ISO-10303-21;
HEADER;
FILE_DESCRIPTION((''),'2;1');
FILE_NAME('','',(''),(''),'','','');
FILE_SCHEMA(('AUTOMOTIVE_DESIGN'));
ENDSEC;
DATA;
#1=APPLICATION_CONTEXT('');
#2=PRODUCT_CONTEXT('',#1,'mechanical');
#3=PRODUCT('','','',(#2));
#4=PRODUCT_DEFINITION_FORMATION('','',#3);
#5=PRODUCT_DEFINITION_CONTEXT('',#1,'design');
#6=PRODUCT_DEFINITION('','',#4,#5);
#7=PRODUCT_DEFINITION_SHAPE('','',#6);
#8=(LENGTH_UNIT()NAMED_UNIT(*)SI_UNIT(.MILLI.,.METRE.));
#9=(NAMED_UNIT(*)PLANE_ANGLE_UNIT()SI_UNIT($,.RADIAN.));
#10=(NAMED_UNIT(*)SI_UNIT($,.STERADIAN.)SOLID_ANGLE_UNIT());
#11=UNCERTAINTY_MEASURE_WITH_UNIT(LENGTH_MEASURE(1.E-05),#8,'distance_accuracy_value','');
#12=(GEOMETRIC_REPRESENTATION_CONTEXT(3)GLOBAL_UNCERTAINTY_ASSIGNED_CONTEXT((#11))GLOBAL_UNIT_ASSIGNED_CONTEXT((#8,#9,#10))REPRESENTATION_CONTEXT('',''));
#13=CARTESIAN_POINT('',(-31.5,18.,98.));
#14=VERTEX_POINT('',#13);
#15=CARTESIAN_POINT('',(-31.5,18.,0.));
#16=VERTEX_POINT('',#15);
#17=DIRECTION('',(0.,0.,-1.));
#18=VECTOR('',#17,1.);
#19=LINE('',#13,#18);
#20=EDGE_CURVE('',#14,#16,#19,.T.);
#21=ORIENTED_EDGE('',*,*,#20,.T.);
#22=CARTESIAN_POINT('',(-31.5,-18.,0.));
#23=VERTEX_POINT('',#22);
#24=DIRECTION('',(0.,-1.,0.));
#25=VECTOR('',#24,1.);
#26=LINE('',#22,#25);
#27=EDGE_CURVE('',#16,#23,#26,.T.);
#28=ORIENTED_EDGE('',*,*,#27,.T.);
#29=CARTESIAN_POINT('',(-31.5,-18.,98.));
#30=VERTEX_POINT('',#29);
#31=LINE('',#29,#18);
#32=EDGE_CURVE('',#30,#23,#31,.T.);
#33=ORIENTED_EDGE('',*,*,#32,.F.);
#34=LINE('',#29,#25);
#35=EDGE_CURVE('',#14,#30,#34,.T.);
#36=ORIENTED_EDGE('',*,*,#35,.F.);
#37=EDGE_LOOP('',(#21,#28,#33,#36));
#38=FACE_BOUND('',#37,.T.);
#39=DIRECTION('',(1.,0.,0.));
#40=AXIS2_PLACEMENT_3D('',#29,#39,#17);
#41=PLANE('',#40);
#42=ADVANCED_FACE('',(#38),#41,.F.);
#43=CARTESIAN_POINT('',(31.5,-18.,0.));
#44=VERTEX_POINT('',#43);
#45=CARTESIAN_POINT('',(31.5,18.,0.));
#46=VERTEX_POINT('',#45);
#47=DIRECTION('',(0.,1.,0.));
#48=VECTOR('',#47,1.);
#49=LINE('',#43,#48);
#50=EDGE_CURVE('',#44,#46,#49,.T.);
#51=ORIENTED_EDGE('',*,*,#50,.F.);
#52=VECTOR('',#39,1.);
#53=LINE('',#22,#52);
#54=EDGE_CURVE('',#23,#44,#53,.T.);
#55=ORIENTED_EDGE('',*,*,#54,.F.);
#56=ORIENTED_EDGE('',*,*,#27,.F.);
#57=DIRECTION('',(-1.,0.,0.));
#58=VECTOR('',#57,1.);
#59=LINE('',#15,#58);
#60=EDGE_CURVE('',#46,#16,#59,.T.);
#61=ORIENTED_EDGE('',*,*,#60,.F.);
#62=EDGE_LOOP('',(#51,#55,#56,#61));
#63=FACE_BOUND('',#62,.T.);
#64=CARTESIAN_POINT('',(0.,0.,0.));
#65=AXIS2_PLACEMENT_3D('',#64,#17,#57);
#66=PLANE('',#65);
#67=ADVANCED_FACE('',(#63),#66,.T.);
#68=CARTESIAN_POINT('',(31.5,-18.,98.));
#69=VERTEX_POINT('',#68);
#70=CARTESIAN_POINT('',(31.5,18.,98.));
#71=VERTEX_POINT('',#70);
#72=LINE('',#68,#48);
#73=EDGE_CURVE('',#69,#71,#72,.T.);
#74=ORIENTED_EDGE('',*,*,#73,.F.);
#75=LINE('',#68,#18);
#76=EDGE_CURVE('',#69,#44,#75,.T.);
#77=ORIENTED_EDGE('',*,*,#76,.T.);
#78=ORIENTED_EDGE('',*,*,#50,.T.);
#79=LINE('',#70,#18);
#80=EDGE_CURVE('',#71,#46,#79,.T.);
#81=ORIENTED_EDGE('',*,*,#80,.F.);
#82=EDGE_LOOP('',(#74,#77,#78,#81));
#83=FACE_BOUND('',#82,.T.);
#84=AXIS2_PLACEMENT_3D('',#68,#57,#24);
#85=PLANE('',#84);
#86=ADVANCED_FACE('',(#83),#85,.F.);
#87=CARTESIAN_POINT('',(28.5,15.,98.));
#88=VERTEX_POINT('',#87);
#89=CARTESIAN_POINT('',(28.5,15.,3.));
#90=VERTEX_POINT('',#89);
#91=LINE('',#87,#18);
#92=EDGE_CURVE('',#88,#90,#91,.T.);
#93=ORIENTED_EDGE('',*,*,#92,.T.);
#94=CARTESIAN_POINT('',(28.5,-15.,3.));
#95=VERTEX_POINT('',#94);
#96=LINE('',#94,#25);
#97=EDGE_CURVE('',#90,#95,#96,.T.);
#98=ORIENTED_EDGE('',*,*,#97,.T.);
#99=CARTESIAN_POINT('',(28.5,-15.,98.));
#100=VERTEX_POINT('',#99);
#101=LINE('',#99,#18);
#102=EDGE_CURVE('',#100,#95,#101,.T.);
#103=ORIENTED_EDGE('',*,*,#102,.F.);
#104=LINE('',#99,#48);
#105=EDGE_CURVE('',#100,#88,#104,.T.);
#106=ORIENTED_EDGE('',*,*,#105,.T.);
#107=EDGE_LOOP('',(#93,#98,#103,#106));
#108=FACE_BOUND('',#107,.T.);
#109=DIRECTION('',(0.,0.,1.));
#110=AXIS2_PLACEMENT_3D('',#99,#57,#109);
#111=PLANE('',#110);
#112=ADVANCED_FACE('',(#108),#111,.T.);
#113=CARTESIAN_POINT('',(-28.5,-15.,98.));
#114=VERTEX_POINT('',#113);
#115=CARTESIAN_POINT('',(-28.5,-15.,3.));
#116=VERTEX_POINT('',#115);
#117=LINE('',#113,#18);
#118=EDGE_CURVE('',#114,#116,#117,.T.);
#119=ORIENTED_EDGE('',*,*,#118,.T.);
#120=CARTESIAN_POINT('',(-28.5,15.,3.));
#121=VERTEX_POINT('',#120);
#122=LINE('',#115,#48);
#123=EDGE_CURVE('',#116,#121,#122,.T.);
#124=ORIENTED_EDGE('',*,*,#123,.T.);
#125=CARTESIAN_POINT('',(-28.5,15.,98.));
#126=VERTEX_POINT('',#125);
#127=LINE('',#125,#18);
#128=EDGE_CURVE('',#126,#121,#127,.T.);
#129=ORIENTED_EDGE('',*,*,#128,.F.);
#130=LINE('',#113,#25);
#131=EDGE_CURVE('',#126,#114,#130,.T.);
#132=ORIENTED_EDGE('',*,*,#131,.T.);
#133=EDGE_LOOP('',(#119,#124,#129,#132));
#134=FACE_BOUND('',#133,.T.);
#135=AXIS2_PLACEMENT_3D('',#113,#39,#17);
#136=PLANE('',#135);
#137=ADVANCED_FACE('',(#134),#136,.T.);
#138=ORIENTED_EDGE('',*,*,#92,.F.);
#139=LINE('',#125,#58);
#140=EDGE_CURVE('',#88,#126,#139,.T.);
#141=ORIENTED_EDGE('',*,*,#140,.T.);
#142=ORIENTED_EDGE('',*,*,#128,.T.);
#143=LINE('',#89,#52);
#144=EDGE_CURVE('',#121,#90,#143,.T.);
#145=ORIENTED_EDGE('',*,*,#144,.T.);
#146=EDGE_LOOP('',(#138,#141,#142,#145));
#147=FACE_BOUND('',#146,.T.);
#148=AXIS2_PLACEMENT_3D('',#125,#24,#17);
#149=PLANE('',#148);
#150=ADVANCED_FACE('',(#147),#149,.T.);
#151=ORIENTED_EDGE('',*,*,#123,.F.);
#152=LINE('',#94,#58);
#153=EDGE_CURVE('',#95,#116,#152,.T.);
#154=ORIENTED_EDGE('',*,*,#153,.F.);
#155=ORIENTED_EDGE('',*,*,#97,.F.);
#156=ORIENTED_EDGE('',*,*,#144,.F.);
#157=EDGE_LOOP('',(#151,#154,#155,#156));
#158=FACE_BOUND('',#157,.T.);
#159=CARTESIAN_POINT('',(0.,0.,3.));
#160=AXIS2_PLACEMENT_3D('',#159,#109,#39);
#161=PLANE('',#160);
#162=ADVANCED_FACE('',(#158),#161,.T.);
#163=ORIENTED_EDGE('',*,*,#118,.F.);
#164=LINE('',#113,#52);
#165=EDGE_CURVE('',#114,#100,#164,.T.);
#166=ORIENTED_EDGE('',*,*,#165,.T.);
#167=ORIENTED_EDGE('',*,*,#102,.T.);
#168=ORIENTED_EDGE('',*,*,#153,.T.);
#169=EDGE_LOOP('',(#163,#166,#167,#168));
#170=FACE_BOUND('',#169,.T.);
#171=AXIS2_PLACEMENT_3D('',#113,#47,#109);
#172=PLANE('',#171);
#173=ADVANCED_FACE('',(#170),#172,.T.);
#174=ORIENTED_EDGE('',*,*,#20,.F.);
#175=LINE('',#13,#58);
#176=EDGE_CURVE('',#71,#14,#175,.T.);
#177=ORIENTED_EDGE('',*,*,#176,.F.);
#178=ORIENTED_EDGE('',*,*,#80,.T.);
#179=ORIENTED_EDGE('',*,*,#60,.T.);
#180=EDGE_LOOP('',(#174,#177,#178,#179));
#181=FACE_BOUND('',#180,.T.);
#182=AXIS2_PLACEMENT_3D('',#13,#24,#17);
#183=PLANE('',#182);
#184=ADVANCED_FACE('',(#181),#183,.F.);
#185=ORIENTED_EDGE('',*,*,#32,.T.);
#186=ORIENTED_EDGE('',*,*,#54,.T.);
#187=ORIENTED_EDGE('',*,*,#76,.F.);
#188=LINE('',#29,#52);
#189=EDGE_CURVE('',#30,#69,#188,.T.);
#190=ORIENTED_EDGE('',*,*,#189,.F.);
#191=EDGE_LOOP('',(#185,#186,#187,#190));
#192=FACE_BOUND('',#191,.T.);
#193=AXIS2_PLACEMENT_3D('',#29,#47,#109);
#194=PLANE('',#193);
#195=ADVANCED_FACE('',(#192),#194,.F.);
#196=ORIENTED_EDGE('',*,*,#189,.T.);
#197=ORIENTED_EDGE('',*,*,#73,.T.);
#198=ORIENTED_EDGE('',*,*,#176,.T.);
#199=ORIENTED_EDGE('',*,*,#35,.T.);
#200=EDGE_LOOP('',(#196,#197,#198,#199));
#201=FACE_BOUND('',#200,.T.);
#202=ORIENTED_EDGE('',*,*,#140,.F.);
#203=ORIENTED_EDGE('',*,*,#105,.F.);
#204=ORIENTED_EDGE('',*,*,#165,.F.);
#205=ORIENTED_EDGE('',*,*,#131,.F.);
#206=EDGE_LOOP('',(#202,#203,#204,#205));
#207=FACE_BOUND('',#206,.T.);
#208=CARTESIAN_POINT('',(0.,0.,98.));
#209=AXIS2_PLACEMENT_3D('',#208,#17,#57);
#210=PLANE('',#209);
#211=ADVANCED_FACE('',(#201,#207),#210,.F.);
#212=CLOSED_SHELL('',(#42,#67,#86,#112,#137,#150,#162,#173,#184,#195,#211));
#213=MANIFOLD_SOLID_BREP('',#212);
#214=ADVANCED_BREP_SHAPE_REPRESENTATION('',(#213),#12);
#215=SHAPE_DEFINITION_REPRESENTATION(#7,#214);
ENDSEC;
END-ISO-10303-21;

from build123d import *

# Parameters (mm, degrees)
SKETCH1_W           = 63
SKETCH1_H           = 36
SKETCH1_W_2         = 57
SKETCH1_H_2         = 30
BOSS_EXTRUDE1_DEPTH = 98
SKETCH2_W           = 57
SKETCH2_H           = 30
BOSS_EXTRUDE2_DEPTH = 3


with BuildPart() as part:
    # Sketch1 → Boss-Extrude1 (new body)
    with BuildSketch(Plane.XY):
        Rectangle(SKETCH1_W, SKETCH1_H)
        Rectangle(SKETCH1_W_2, SKETCH1_H_2, mode=Mode.SUBTRACT)
    extrude(amount=BOSS_EXTRUDE1_DEPTH)

    # Sketch2 → Boss-Extrude2 (add)
    with BuildSketch(Plane(origin=(0, 0, 0), x_dir=(-1, 0, 0), z_dir=(0, 0, -1))):
        Rectangle(SKETCH2_W, SKETCH2_H)
    extrude(amount=-BOSS_EXTRUDE2_DEPTH)


solid = part.part
